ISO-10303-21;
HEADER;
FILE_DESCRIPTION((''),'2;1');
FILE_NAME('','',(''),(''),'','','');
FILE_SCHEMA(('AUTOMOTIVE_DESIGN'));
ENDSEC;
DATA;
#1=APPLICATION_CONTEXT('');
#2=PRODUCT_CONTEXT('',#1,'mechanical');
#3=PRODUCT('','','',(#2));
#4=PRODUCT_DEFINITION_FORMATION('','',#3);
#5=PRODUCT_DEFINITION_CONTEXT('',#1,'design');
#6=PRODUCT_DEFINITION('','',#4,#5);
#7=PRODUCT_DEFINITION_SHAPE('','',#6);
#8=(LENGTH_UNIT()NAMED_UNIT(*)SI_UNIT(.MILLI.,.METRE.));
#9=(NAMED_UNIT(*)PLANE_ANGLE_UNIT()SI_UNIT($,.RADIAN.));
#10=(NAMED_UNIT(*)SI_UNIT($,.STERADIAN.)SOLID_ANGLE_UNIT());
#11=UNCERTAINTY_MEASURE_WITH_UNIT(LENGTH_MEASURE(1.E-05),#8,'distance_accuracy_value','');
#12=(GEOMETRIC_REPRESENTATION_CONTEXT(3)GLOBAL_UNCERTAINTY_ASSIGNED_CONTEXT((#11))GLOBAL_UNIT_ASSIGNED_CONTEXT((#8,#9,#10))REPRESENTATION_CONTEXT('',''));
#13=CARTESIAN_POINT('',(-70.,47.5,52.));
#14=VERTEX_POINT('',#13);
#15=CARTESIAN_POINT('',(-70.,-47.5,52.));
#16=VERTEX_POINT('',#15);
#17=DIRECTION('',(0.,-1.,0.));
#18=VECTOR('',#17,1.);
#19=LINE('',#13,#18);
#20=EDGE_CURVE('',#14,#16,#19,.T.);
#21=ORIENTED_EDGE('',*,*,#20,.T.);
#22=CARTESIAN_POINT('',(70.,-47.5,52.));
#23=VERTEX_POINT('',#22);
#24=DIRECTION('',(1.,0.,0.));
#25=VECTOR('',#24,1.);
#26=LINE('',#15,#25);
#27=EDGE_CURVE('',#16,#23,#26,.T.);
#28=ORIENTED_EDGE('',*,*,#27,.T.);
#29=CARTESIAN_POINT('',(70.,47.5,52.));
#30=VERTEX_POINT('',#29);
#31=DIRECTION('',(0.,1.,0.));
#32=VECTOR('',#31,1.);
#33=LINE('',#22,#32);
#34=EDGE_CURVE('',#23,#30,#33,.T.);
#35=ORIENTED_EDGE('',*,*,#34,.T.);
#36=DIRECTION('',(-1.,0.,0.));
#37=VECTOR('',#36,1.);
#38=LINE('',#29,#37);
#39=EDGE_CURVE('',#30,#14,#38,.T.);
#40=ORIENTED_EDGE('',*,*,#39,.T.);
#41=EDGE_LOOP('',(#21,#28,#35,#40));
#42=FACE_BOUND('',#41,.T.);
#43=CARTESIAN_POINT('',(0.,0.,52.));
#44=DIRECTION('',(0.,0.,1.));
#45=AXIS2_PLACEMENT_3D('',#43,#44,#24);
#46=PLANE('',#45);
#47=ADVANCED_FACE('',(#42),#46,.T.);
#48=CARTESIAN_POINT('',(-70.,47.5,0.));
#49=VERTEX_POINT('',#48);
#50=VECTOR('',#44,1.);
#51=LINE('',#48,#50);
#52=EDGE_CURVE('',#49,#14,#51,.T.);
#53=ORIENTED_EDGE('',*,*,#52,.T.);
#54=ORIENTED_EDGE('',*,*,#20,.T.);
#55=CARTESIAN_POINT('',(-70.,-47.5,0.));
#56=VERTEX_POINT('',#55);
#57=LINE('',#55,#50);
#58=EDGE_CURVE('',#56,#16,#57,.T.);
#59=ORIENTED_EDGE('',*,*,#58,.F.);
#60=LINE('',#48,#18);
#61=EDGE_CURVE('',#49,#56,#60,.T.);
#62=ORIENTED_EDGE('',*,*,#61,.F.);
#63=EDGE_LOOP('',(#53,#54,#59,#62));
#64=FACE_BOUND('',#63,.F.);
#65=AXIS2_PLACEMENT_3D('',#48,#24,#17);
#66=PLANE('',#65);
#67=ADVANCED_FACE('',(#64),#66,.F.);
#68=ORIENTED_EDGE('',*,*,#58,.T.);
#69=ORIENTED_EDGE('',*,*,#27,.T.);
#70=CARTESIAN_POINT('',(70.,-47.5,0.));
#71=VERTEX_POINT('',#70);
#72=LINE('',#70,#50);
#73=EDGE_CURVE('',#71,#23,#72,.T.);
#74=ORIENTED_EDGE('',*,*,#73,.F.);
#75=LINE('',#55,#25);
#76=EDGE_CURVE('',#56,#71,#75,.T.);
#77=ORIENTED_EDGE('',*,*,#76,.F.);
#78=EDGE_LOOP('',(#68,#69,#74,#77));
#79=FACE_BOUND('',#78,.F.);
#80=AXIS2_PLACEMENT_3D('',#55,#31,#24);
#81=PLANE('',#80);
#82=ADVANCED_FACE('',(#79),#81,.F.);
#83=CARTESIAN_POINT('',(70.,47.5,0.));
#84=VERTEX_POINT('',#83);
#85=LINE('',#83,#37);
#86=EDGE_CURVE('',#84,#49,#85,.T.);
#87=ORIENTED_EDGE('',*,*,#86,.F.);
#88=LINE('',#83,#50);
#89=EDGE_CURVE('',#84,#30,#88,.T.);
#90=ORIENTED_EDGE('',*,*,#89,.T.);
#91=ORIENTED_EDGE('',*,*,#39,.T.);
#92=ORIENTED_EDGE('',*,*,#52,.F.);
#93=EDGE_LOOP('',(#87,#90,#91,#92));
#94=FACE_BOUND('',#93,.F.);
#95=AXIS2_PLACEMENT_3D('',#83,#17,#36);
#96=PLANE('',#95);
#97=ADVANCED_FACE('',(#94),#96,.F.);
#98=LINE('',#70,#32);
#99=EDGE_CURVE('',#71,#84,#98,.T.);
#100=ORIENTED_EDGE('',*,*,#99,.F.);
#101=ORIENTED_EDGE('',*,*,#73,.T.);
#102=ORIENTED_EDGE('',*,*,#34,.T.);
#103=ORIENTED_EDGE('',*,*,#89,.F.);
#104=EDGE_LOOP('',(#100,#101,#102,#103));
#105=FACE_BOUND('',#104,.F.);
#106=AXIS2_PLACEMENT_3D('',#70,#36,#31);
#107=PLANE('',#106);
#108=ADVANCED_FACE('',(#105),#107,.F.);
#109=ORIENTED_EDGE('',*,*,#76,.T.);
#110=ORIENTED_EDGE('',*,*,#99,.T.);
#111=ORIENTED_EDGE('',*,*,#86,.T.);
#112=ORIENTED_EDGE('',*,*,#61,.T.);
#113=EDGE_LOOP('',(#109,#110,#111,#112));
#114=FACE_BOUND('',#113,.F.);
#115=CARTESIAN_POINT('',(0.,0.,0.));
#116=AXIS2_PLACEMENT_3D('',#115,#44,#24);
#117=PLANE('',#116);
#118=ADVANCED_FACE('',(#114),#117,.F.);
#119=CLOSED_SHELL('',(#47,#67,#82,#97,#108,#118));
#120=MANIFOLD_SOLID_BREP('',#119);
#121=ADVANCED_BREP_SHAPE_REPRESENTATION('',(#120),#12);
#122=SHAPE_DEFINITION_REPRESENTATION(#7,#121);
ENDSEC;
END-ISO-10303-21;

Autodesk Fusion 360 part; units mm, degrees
sketch "스케치1" plane through (0, 0, 0) normal (0, 0, 1) x (1, 0, 0)
  line L0 (70, 47.5) -> (-70, 47.5)
  line L1 (-70, 47.5) -> (-70, -47.5)
  line L2 (-70, -47.5) -> (70, -47.5)
  line L3 (70, -47.5) -> (70, 47.5)
  line L4 (70, 47.5) -> (-70, -47.5) construction
  line L5 (-70, 47.5) -> (70, -47.5) construction
  dimension "d1" = 140
  dimension "d2" = 95
extrude "돌출1" add sketch "스케치1" along normal blind 52
